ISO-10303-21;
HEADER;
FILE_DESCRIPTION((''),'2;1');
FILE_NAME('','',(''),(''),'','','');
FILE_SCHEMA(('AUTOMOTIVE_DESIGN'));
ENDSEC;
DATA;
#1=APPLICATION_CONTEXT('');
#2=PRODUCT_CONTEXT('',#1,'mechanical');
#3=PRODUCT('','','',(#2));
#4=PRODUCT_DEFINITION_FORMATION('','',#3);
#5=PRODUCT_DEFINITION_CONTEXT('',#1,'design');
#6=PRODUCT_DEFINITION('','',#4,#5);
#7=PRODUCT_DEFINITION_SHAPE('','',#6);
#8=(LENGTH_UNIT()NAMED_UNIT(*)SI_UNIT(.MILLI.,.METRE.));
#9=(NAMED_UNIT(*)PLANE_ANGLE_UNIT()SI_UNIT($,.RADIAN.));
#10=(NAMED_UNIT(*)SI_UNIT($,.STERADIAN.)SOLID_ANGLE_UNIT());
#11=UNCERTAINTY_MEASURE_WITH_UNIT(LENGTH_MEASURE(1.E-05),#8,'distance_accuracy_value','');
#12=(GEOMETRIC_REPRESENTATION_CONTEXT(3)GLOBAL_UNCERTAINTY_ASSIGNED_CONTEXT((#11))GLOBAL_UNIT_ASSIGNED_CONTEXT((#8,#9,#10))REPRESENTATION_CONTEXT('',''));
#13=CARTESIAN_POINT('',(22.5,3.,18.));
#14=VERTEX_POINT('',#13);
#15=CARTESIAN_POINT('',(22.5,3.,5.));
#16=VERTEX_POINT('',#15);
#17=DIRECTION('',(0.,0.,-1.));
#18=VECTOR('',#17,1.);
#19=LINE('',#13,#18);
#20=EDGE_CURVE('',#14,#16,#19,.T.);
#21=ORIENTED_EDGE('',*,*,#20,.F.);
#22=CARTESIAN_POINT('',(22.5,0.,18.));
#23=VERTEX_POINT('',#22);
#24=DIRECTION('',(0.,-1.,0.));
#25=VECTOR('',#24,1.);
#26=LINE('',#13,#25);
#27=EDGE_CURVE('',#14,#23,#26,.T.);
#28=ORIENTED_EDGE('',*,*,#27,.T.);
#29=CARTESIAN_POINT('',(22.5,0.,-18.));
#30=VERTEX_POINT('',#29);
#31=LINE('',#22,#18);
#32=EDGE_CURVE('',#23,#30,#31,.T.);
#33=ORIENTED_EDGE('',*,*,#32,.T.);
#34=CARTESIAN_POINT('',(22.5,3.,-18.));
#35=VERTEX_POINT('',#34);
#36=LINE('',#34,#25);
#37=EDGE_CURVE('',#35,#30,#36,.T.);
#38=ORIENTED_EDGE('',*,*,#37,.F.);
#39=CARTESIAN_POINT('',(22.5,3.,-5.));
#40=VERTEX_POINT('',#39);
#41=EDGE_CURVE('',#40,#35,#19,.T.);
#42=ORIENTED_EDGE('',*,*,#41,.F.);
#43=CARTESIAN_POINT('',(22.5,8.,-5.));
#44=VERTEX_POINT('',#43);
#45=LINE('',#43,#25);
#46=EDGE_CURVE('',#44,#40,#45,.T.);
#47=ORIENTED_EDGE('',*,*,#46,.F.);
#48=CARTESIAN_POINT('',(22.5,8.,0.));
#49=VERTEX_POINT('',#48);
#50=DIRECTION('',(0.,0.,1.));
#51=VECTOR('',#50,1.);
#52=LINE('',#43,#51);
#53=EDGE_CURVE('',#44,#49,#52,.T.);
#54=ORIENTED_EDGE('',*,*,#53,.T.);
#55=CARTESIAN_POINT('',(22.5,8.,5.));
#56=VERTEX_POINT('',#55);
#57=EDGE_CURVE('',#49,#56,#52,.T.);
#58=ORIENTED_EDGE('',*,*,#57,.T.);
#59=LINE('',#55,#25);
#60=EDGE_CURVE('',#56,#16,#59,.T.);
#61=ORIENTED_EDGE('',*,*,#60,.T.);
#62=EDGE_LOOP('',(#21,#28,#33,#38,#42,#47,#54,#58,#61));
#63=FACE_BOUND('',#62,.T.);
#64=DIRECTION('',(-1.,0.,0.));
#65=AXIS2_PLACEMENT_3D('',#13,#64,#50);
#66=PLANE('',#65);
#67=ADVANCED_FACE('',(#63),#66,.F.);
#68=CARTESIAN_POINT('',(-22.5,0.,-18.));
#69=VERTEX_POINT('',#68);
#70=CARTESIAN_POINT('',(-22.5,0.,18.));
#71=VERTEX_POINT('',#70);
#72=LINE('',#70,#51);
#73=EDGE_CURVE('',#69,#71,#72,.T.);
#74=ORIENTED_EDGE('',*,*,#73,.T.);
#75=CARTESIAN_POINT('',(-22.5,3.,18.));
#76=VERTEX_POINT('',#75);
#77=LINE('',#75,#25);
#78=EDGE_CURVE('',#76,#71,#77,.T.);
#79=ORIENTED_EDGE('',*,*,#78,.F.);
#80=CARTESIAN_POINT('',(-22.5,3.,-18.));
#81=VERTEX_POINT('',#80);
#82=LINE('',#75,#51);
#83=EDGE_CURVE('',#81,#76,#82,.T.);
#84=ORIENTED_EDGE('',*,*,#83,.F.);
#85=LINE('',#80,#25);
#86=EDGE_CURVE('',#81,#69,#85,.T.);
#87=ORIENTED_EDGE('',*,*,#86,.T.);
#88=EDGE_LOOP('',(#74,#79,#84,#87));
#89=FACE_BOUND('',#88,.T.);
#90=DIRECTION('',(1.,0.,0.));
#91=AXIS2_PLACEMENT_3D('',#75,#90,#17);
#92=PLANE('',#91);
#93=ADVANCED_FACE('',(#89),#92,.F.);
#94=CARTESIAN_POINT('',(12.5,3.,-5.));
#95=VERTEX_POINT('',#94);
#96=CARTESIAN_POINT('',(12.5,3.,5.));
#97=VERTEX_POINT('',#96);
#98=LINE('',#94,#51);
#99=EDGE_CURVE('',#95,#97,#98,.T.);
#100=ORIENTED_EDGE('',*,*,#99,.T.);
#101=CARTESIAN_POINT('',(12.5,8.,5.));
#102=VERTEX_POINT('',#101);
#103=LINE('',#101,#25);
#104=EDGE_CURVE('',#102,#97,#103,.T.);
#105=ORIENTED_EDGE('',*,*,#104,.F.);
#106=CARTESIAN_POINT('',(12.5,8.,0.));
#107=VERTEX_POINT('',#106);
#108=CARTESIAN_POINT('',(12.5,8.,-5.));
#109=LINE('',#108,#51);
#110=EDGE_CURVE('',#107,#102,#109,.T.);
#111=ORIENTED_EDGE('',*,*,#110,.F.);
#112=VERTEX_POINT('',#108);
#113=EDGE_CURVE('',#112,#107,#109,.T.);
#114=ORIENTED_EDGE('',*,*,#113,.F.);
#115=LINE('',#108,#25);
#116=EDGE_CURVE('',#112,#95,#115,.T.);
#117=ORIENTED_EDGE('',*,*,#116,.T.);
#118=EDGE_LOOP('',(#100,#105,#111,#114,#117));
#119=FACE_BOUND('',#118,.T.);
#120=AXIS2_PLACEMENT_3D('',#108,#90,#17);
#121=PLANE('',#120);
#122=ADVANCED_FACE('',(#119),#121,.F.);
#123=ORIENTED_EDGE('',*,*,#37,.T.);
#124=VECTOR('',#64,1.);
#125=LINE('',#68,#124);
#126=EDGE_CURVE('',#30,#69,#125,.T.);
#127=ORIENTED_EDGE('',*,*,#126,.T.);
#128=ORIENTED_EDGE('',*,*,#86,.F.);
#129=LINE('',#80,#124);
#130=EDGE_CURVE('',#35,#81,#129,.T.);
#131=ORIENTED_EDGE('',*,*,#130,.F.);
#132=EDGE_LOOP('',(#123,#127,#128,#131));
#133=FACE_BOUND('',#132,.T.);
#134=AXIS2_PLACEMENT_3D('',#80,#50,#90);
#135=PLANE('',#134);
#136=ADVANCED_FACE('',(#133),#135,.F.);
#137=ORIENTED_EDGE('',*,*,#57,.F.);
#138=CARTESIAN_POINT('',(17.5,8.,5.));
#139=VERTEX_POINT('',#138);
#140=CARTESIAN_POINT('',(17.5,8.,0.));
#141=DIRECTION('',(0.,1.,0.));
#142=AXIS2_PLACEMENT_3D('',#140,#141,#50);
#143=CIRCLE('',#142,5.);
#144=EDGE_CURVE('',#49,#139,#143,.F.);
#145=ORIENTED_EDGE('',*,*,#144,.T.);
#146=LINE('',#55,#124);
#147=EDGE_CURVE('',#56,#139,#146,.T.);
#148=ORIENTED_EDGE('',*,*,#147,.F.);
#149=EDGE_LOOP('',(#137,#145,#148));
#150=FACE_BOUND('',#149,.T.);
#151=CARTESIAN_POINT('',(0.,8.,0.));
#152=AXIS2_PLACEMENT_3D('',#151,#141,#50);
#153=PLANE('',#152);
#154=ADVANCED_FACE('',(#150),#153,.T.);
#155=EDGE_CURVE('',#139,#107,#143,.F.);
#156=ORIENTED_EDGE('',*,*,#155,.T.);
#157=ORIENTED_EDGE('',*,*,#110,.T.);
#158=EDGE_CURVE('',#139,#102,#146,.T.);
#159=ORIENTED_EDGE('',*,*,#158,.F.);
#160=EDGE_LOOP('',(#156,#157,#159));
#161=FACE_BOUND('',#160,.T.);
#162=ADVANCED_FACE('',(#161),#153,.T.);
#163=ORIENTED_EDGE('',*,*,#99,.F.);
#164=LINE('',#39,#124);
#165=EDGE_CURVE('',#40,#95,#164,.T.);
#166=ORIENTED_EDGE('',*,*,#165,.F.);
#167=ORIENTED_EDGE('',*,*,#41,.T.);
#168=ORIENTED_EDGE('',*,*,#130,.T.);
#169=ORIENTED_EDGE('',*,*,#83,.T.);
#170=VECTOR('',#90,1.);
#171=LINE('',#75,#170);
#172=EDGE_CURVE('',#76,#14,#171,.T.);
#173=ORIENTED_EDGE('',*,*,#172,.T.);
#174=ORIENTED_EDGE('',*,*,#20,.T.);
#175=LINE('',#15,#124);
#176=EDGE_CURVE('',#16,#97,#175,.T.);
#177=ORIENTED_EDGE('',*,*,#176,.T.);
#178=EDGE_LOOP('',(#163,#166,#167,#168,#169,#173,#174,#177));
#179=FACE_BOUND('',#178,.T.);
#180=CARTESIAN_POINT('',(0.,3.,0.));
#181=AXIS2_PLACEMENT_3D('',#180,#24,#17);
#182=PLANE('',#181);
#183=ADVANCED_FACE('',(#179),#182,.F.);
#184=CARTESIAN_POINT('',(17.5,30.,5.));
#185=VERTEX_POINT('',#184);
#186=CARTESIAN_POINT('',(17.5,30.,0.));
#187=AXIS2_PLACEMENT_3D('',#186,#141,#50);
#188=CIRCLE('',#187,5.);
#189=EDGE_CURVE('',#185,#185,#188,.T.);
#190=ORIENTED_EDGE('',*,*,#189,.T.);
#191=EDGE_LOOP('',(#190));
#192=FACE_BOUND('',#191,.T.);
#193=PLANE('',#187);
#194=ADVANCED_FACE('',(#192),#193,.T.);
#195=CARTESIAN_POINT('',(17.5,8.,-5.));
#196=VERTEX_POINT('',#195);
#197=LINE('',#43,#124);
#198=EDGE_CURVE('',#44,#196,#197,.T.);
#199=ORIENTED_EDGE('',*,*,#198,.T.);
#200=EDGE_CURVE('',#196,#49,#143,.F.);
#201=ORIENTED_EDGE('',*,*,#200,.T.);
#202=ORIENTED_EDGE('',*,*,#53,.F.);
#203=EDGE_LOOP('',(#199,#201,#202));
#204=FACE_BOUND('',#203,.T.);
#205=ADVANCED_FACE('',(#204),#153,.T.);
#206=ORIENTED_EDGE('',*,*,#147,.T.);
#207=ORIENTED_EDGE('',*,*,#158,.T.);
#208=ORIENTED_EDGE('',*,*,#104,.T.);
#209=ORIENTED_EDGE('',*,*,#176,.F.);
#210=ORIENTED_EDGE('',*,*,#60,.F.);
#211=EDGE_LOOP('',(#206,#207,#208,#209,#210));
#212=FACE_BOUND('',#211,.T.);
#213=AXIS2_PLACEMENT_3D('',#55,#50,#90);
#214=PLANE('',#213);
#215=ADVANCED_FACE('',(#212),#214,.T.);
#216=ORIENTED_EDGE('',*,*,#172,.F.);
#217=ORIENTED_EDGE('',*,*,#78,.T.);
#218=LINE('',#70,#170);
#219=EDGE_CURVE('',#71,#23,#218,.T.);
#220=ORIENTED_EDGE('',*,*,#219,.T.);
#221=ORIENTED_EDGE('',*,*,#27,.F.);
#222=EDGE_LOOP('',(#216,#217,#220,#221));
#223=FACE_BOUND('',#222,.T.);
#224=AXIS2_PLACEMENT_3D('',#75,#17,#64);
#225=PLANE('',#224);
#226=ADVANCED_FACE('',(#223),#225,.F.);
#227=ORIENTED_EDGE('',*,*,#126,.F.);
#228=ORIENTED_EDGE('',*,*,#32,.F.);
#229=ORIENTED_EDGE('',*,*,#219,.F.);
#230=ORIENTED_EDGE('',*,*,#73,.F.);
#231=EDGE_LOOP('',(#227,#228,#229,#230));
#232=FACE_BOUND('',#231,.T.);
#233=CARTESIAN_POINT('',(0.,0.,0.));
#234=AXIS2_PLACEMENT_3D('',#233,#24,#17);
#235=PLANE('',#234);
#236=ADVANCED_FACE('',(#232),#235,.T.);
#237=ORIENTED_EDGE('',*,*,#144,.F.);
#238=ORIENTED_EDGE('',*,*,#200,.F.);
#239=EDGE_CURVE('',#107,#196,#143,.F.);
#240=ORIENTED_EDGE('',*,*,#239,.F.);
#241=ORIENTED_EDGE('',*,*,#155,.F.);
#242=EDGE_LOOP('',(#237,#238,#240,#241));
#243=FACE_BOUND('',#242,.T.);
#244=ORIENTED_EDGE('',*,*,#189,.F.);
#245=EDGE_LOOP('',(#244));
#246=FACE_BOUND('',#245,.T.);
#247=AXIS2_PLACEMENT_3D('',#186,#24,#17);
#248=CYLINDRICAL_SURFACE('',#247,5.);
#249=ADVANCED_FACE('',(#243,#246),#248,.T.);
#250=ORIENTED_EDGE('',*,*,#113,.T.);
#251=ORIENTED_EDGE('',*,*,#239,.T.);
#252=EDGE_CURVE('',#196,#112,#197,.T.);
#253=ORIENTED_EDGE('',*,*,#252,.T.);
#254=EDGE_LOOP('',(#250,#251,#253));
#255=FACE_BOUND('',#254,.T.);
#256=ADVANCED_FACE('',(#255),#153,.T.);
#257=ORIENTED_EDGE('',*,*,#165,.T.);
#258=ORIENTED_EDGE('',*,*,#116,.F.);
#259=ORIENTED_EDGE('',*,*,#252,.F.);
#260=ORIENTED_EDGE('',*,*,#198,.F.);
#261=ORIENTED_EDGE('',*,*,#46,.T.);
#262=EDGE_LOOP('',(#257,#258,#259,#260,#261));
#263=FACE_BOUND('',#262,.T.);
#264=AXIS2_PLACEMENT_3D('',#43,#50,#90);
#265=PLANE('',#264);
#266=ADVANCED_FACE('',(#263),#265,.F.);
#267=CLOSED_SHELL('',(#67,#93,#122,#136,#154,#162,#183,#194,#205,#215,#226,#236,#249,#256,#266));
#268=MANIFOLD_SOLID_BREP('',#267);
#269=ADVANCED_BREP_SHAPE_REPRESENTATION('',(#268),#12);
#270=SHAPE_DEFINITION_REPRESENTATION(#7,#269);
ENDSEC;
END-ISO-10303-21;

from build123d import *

# Parameters (mm, degrees)
SKETCH1_W           = 45
SKETCH1_H           = 36
BOSS_EXTRUDE1_DEPTH = 3
SKETCH2_W           = 10
SKETCH2_H           = 10
BOSS_EXTRUDE2_DEPTH = 5
SKETCH2_3_R         = 5
BOSS_EXTRUDE3_DEPTH = 27


with BuildPart() as part:
    # Sketch1 → Boss-Extrude1 (new body)
    with BuildSketch(Plane(origin=(0, 0, 0), x_dir=(1, 0, 0), z_dir=(0, 1, 0))):
        Rectangle(SKETCH1_W, SKETCH1_H)
    extrude(amount=BOSS_EXTRUDE1_DEPTH)

    # Sketch2 → Boss-Extrude2 (add)
    with BuildSketch(Plane(origin=(0, 3, 0), x_dir=(1, 0, 0), z_dir=(0, 1, 0))):
        with BuildLine():
            ThreePointArc((17.5, 5), (13.964466095, 3.535533907), (12.5, 4e-09))
            Line((12.5, 0), (22.5, 0))
            ThreePointArc((22.5, 0), (21.035533906, 3.535533906), (17.5, 5))
        make_face()
        with BuildLine():
            Line((22.5, 0), (12.5, 0))
            ThreePointArc((12.5, 4e-09), (13.964466099, -3.535533911), (17.500000019, -5))
            ThreePointArc((17.500000019, -5), (21.035533913, -3.535533899), (22.5, 0))
        make_face()
        with Locations((17.5, 0)):
            Rectangle(SKETCH2_W, SKETCH2_H)
    extrude(amount=BOSS_EXTRUDE2_DEPTH)

    # Sketch2<3> → Boss-Extrude3 (add)
    with BuildSketch(Plane(origin=(0, 3, 0), x_dir=(1, 0, 0), z_dir=(0, 1, 0))):
        with Locations(Location((17.5, 0, 0), (0, 0, 270))):
            Circle(SKETCH2_3_R)
    extrude(amount=BOSS_EXTRUDE3_DEPTH)


solid = part.part
